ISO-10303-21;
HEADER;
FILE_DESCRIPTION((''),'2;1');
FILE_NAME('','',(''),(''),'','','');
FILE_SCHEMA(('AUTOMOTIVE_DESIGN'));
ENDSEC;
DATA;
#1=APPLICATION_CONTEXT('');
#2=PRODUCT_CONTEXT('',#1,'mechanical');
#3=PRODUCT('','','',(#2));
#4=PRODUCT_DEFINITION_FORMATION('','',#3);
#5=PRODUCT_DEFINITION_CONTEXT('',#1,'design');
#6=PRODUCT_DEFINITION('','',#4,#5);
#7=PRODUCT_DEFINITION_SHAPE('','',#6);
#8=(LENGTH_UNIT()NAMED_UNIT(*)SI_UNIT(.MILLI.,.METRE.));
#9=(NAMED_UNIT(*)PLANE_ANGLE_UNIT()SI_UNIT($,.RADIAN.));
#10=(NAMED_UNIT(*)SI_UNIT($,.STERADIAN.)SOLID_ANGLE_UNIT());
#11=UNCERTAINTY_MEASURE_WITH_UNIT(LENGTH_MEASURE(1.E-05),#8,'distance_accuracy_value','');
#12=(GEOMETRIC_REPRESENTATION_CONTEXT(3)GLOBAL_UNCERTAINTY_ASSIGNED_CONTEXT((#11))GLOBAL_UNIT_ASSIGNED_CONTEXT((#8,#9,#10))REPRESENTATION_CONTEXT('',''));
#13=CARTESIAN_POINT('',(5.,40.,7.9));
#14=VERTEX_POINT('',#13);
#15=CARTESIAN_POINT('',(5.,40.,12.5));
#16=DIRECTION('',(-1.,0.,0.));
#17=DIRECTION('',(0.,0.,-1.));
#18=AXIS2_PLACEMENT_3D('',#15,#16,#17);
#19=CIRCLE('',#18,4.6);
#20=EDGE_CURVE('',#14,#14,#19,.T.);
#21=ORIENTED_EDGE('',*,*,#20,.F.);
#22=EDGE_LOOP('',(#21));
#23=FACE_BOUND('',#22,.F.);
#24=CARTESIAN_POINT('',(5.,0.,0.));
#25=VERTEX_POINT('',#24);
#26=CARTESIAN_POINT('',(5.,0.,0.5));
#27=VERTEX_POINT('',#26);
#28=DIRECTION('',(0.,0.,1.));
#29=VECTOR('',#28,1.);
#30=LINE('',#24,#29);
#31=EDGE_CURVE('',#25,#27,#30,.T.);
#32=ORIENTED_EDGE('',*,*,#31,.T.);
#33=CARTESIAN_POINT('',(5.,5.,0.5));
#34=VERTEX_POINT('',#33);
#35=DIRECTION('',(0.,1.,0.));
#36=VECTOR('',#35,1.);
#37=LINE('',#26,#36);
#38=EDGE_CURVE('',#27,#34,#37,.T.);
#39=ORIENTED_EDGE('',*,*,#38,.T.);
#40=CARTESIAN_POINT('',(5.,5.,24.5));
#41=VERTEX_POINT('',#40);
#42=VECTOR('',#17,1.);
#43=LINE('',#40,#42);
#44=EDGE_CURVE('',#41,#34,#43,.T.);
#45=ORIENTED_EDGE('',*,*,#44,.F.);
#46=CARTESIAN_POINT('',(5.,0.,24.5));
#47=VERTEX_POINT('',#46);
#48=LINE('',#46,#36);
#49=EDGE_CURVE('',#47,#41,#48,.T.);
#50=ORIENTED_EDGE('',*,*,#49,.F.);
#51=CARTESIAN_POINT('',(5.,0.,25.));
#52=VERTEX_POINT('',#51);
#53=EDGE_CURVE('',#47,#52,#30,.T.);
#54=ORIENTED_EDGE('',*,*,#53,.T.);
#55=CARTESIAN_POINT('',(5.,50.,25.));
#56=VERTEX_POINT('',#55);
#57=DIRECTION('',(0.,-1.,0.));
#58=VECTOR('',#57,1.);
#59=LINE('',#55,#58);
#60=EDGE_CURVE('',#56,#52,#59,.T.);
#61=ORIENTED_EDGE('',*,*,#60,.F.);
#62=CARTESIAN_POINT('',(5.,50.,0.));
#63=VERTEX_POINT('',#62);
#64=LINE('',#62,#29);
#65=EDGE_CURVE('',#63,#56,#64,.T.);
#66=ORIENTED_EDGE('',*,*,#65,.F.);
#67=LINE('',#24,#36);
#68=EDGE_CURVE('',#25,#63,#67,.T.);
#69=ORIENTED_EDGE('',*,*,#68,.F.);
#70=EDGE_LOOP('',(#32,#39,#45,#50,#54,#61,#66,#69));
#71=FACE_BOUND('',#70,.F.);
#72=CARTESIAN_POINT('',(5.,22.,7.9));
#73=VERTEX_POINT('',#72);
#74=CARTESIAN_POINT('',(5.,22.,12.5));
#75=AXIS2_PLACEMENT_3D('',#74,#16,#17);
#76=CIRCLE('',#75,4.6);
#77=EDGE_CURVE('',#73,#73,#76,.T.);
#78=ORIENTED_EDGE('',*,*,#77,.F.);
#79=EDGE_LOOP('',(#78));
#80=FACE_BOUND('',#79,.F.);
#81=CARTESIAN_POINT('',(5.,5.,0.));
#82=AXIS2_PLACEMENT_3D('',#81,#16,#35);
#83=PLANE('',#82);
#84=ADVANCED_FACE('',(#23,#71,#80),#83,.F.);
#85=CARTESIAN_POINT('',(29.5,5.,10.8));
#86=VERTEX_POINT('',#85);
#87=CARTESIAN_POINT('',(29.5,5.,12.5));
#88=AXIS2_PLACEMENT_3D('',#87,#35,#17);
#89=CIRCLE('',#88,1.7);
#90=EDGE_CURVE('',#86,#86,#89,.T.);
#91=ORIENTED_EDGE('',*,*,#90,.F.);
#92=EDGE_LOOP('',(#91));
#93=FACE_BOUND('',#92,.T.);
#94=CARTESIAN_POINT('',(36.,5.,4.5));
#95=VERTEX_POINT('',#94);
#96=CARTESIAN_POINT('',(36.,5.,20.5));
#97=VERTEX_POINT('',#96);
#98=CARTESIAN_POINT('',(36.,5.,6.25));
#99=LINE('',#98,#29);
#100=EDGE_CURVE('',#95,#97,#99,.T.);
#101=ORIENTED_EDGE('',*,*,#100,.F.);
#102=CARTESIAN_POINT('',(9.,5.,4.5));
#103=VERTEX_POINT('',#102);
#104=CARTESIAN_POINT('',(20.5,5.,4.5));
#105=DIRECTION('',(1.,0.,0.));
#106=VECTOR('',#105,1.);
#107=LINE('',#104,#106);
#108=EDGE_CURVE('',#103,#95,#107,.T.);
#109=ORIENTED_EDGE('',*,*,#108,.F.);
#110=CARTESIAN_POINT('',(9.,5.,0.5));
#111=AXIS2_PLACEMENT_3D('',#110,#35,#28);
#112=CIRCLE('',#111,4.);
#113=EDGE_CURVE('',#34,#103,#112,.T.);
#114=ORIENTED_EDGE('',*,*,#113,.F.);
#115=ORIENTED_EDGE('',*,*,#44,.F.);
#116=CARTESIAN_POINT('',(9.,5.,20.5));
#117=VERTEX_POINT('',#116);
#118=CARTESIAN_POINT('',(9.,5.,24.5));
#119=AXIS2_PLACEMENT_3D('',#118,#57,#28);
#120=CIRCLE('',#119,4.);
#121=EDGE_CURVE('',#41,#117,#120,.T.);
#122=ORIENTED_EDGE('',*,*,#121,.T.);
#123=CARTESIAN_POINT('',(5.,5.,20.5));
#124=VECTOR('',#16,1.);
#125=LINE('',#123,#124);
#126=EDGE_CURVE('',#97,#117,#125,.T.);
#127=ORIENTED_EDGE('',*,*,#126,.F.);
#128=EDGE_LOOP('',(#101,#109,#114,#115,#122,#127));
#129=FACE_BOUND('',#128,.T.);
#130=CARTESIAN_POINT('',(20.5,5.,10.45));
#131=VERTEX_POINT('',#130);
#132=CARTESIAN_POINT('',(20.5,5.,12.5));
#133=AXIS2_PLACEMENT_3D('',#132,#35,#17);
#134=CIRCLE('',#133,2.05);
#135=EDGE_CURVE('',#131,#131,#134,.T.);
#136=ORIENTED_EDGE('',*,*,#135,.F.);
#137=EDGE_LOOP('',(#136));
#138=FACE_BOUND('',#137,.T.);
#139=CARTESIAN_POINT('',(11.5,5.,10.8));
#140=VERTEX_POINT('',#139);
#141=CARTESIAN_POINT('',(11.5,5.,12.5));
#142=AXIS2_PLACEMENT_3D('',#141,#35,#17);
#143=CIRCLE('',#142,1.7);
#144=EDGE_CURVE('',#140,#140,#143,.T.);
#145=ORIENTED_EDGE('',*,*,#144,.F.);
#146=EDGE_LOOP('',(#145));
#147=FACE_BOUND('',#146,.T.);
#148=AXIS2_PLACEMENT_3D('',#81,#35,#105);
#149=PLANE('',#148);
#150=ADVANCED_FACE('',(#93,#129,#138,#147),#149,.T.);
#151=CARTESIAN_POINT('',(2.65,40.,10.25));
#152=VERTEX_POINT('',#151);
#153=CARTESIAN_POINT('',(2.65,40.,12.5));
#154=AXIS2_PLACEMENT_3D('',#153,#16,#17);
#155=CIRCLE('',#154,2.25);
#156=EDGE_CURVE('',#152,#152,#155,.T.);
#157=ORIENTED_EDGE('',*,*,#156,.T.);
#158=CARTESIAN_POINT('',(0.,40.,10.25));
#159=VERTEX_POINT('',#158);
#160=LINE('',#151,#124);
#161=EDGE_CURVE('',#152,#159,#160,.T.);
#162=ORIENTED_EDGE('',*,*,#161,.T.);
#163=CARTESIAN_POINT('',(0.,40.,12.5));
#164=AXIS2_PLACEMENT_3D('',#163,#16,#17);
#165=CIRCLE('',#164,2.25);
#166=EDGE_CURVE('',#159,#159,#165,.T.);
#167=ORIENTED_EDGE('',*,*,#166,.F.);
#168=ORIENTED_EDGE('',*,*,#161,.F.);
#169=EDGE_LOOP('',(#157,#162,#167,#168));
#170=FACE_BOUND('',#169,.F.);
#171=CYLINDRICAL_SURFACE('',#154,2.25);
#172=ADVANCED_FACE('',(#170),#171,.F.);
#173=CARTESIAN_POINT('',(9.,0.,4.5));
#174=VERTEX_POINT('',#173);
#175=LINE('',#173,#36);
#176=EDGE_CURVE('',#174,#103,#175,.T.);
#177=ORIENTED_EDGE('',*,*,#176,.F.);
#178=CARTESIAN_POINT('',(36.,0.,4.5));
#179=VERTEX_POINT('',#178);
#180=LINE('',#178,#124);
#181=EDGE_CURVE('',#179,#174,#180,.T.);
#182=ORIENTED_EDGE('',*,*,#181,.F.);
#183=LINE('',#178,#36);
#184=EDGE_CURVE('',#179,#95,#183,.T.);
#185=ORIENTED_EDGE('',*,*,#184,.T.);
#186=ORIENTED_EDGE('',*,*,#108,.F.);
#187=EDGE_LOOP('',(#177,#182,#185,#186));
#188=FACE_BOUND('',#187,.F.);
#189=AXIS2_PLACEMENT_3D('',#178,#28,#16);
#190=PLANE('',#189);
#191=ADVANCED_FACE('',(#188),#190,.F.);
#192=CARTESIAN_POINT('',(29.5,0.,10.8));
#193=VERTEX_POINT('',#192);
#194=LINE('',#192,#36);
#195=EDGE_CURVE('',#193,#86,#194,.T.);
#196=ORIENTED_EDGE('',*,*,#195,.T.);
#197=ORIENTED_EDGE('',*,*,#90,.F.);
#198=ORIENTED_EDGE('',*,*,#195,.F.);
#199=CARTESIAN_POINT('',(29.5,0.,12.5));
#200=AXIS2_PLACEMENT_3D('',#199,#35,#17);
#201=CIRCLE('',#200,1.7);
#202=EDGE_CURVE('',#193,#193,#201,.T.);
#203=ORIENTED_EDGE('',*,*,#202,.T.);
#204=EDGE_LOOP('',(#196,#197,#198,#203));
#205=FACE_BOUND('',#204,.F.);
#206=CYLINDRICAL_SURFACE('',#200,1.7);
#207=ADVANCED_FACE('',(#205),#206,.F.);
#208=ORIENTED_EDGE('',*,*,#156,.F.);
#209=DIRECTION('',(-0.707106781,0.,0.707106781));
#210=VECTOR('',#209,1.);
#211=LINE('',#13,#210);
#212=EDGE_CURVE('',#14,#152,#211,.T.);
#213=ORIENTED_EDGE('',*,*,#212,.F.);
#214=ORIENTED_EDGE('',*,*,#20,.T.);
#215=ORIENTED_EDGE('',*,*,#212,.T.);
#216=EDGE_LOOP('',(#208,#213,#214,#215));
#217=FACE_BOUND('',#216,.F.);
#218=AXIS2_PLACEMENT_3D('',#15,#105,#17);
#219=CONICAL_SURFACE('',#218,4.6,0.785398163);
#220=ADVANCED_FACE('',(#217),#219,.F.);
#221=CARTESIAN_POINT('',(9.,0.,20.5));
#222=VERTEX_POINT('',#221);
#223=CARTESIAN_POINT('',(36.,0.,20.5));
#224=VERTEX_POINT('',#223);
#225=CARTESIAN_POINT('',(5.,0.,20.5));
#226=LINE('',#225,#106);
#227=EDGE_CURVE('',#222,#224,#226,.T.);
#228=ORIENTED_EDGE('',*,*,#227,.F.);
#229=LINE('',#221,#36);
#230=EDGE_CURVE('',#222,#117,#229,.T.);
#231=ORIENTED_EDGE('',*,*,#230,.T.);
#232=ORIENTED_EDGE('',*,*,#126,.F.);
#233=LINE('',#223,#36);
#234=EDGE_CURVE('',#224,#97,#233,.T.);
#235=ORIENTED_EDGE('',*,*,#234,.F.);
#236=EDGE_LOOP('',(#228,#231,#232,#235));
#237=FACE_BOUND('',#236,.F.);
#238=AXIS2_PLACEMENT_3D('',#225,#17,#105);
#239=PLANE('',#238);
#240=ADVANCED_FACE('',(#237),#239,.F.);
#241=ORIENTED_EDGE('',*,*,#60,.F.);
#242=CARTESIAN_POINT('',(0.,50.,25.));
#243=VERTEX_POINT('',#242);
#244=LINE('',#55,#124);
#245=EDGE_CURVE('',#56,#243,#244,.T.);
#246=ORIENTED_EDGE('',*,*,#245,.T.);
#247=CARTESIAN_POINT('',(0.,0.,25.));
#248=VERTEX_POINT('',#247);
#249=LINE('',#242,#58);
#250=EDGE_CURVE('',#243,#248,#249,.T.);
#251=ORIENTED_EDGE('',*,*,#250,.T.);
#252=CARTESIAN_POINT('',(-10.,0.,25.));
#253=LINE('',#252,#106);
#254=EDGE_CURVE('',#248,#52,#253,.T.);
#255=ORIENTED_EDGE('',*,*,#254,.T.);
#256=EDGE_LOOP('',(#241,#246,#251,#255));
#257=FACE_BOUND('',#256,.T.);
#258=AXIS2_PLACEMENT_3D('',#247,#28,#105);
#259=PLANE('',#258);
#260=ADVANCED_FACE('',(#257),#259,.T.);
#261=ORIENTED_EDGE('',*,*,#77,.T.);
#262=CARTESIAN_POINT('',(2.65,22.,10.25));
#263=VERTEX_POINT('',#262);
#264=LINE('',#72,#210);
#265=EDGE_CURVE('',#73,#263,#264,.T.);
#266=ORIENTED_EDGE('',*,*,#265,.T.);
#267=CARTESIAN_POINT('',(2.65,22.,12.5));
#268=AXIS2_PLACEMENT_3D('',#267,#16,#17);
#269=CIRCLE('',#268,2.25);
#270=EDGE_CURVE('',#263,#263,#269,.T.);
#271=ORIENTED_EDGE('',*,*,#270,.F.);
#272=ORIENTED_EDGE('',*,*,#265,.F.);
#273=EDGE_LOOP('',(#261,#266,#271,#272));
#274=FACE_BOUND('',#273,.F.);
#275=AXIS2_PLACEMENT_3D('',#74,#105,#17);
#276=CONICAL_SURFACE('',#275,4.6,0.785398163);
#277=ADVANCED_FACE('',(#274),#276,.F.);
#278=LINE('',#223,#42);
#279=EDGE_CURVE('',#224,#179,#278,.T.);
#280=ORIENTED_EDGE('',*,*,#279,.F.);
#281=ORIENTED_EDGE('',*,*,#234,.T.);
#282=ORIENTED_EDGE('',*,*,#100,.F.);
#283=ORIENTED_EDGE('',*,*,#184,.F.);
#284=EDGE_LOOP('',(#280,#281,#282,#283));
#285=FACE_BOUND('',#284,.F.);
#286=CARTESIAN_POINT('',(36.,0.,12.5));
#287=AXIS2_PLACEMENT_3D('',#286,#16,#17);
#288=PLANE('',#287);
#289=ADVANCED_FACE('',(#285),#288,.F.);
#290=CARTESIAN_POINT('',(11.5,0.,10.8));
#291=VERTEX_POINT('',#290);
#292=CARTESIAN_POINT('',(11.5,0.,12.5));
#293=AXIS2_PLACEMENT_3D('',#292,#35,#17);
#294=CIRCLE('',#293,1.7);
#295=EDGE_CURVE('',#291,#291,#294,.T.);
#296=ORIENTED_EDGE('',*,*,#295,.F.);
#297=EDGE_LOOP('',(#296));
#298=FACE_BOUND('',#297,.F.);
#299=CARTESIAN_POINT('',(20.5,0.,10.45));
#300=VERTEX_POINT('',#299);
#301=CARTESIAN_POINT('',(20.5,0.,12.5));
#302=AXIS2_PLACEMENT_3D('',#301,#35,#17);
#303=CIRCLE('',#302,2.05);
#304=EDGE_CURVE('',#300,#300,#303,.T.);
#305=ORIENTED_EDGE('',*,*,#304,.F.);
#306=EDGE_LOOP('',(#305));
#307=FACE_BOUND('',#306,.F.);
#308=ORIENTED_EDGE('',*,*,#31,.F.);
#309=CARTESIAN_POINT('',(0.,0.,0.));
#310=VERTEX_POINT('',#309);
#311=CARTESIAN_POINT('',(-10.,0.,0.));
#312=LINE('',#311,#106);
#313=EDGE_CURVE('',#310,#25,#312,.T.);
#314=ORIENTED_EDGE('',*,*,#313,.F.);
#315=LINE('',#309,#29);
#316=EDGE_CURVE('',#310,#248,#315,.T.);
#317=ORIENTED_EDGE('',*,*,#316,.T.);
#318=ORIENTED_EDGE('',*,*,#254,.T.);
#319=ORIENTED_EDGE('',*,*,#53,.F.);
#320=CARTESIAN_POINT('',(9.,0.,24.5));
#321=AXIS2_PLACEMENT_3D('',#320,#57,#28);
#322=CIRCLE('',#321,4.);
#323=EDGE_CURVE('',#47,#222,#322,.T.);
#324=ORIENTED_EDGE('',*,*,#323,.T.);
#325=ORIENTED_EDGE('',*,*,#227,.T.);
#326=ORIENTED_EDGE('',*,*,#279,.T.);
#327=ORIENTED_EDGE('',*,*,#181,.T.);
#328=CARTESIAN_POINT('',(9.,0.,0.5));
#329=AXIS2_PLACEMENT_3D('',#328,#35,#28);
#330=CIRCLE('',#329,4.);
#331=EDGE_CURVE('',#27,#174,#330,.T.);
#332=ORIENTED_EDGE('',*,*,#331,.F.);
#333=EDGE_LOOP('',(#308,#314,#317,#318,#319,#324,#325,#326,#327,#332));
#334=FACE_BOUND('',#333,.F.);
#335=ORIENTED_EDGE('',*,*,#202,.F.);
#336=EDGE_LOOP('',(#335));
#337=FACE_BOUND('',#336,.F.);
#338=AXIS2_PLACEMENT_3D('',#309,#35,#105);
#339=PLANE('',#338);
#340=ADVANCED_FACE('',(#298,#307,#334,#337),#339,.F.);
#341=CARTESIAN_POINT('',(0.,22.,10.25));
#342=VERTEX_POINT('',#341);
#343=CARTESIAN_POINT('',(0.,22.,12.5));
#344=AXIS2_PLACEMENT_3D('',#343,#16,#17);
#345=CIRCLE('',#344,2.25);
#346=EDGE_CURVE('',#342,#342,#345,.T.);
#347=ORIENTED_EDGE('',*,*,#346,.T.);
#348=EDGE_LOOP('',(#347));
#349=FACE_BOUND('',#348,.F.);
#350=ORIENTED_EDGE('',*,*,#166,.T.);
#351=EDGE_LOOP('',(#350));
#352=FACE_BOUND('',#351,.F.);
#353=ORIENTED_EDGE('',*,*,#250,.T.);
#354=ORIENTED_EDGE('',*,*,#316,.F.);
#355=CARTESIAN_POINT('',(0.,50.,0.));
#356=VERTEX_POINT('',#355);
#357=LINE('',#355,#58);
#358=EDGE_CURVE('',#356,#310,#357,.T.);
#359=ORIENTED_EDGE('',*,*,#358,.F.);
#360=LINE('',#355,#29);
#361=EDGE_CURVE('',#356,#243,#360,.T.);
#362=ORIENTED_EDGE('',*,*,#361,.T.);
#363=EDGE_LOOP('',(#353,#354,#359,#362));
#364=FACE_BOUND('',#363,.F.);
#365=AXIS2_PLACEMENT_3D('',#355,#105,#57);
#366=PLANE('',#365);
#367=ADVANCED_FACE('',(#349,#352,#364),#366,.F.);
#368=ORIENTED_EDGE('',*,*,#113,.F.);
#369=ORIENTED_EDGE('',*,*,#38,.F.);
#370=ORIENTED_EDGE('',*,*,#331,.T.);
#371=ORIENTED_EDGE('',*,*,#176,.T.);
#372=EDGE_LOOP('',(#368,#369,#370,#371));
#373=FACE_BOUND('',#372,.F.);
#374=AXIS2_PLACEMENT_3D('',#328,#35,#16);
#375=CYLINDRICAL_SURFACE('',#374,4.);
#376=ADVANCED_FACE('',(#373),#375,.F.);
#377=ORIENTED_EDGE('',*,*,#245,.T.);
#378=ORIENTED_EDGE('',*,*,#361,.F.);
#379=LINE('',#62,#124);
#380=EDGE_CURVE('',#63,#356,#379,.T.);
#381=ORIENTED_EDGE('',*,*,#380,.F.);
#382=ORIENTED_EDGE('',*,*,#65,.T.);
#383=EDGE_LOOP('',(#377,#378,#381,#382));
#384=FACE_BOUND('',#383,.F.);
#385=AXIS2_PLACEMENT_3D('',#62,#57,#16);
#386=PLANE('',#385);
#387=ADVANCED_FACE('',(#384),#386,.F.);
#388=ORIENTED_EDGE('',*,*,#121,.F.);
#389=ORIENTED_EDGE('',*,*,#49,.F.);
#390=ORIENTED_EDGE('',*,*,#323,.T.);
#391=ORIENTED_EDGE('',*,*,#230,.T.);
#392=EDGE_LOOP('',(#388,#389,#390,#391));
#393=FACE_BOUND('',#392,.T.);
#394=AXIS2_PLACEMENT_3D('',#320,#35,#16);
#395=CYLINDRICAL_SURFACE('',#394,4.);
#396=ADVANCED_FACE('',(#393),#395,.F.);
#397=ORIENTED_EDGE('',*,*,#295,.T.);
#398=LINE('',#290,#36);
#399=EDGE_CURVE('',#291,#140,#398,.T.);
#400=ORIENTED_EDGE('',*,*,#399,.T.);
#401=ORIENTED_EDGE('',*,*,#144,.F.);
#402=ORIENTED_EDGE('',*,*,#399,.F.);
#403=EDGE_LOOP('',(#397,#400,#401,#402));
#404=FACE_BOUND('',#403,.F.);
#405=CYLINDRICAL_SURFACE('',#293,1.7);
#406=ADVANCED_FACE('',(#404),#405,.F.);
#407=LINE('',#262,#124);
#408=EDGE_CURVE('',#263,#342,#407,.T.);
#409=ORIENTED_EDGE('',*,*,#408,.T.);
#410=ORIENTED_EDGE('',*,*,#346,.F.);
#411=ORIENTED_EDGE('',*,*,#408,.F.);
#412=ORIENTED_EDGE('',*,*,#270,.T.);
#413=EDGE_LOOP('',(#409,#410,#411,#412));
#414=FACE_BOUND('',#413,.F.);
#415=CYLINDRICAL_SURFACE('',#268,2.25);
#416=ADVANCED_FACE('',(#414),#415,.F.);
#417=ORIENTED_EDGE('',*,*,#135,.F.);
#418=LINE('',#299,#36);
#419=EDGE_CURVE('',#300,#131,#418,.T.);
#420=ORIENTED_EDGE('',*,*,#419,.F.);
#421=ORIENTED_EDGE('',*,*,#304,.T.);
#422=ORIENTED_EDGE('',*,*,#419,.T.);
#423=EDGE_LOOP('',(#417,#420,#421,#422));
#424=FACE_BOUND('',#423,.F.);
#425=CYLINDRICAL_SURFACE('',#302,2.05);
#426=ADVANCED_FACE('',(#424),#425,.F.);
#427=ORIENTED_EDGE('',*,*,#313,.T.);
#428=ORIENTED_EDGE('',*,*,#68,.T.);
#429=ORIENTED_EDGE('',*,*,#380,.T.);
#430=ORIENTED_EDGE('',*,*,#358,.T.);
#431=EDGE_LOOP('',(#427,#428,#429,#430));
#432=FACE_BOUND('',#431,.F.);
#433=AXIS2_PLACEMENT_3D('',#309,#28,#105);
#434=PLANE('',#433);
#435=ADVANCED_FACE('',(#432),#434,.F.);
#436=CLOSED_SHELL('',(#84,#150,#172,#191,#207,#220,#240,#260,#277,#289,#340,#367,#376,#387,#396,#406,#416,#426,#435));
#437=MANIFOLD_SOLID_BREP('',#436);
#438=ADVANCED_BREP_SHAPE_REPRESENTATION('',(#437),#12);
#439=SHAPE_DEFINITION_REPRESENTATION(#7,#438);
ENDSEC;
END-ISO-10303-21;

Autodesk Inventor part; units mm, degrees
ref_plane "YZ Plane" through (0, 0, 0) normal (1, 0, 0) x (0, 1, 0)
ref_plane "XZ Plane" through (0, 0, 0) normal (0, 1, 0) x (-1, 0, 0)
ref_plane "XY Plane" through (0, 0, 0) normal (0, 0, 1) x (1, 0, 0)
sketch "Skizze1" plane through (0, 0, 0) normal (0, 0, 1) x (1, 0, 0)
  line L0 (5, 5) -> (5, 50)
  line L1 (5, 50) -> (0, 50)
  line L2 (0, 50) -> (0, 0)
  line L3 (5, 5) -> (50, 5)
  line L4 (50, 5) -> (50, 0)
  line L5 (-10, 0) -> (60, 0) projected
  line L6 (0, -10) -> (0, 60) projected
  line L7 (0, 0) -> (50, 0)
  dimension "d3" = 5
  dimension "d4" = 5
  dimension "d5" = 50
  dimension "d6" = 50
extrude "Extrusion1" add sketch "Skizze1" along normal blind 25
sketch "Skizze2" plane through (0, 0, 0) normal (0, -1, 0) x (1, 0, 0)
  line L0 (0, 0) -> (0, 25) projected
  line L1 (50, 0) -> (50, 25) projected
  line L2 (5, 0) -> (5, 25) projected
  line L3 (5, 20.5) -> (36, 20.5)
  line L4 (36, 20.5) -> (36, 4.5)
  line L5 (36, 4.5) -> (5, 4.5)
  line L6 (0, 12.5) -> (50, 12.5)
  line L7 (5, 25) -> (50, 25)
  line L8 (50, 25) -> (50, 0)
  line L9 (50, 0) -> (5, 0)
  line L10 (5, 0) -> (5, 4.5)
  line L11 (5, 20.5) -> (5, 25)
  dimension "d9" = 16
  dimension "d11" = 36
extrude "Extrusion2" cut sketch "Skizze2" against normal through all contours L9 L2 L5 L4 L6 L1 | L6 L4 L3 L2 L7 L1
sketch "Skizze3" plane through (0, 0, 0) normal (0, -1, 0) x (1, 0, 0)
  line L0 (5, 4.5) -> (36, 4.5) projected
  line L1 (36, 4.5) -> (36, 20.5) projected
  line L2 (36, 20.5) -> (5, 20.5) projected
  line L3 (0, 0) -> (0, 25) projected
  line L4 (36, 12.5) -> (0, 12.5)
  line L5 (20.5, 20.5) -> (20.5, 4.5)
  point P0 (20.5, 12.5)
hole "Bohrung1" at (20.5, 0, 12.5) direction (0, 1, 0) diameter 4.1 end through all
sketch "Skizze4" plane through (0, 0, 0) normal (0, -1, 0) x (1, 0, 0)
  line L0 (5, 4.5) -> (36, 4.5) projected
  line L1 (36, 4.5) -> (36, 20.5) projected
  line L2 (36, 20.5) -> (5, 20.5) projected
  line L3 (0, 0) -> (0, 25) projected
  line L4 (20.5, 20.5) -> (20.5, 4.5)
  line L5 (0, 12.5) -> (36, 12.5)
  point P0 (11.5, 12.5)
  point P1 (29.5, 12.5)
  dimension "d21" = 18
hole "Bohrung2" at (11.5, 0, 12.5) at (29.5, 0, 12.5) direction (0, 1, 0) diameter 3.4 end through all
fillet "Rundung1" radius 4 2 edges at (5, 2.5, 20.5) (5, 2.5, 4.5)
sketch "Skizze5" plane through (5, 0, 0) normal (1, 0, 0) x (0, 0, -1)
  line L0 (0, 50) -> (-25, 50) projected
  line L1 (-0.5, 5) -> (-24.5, 5) projected
  line L2 (-12.5, 50) -> (-12.5, 9.3168)
  point P0 (-12.5, 40)
  point P1 (-12.5, 22)
  dimension "d30" = 10
  dimension "d31" = 18
hole "Bohrung3" at (5, 40, 12.5) at (5, 22, 12.5) direction (-1, 0, 0) diameter 4.5 end through all countersink diameter 9.2 countersink angle 90
properties part number "1_0204_013"
